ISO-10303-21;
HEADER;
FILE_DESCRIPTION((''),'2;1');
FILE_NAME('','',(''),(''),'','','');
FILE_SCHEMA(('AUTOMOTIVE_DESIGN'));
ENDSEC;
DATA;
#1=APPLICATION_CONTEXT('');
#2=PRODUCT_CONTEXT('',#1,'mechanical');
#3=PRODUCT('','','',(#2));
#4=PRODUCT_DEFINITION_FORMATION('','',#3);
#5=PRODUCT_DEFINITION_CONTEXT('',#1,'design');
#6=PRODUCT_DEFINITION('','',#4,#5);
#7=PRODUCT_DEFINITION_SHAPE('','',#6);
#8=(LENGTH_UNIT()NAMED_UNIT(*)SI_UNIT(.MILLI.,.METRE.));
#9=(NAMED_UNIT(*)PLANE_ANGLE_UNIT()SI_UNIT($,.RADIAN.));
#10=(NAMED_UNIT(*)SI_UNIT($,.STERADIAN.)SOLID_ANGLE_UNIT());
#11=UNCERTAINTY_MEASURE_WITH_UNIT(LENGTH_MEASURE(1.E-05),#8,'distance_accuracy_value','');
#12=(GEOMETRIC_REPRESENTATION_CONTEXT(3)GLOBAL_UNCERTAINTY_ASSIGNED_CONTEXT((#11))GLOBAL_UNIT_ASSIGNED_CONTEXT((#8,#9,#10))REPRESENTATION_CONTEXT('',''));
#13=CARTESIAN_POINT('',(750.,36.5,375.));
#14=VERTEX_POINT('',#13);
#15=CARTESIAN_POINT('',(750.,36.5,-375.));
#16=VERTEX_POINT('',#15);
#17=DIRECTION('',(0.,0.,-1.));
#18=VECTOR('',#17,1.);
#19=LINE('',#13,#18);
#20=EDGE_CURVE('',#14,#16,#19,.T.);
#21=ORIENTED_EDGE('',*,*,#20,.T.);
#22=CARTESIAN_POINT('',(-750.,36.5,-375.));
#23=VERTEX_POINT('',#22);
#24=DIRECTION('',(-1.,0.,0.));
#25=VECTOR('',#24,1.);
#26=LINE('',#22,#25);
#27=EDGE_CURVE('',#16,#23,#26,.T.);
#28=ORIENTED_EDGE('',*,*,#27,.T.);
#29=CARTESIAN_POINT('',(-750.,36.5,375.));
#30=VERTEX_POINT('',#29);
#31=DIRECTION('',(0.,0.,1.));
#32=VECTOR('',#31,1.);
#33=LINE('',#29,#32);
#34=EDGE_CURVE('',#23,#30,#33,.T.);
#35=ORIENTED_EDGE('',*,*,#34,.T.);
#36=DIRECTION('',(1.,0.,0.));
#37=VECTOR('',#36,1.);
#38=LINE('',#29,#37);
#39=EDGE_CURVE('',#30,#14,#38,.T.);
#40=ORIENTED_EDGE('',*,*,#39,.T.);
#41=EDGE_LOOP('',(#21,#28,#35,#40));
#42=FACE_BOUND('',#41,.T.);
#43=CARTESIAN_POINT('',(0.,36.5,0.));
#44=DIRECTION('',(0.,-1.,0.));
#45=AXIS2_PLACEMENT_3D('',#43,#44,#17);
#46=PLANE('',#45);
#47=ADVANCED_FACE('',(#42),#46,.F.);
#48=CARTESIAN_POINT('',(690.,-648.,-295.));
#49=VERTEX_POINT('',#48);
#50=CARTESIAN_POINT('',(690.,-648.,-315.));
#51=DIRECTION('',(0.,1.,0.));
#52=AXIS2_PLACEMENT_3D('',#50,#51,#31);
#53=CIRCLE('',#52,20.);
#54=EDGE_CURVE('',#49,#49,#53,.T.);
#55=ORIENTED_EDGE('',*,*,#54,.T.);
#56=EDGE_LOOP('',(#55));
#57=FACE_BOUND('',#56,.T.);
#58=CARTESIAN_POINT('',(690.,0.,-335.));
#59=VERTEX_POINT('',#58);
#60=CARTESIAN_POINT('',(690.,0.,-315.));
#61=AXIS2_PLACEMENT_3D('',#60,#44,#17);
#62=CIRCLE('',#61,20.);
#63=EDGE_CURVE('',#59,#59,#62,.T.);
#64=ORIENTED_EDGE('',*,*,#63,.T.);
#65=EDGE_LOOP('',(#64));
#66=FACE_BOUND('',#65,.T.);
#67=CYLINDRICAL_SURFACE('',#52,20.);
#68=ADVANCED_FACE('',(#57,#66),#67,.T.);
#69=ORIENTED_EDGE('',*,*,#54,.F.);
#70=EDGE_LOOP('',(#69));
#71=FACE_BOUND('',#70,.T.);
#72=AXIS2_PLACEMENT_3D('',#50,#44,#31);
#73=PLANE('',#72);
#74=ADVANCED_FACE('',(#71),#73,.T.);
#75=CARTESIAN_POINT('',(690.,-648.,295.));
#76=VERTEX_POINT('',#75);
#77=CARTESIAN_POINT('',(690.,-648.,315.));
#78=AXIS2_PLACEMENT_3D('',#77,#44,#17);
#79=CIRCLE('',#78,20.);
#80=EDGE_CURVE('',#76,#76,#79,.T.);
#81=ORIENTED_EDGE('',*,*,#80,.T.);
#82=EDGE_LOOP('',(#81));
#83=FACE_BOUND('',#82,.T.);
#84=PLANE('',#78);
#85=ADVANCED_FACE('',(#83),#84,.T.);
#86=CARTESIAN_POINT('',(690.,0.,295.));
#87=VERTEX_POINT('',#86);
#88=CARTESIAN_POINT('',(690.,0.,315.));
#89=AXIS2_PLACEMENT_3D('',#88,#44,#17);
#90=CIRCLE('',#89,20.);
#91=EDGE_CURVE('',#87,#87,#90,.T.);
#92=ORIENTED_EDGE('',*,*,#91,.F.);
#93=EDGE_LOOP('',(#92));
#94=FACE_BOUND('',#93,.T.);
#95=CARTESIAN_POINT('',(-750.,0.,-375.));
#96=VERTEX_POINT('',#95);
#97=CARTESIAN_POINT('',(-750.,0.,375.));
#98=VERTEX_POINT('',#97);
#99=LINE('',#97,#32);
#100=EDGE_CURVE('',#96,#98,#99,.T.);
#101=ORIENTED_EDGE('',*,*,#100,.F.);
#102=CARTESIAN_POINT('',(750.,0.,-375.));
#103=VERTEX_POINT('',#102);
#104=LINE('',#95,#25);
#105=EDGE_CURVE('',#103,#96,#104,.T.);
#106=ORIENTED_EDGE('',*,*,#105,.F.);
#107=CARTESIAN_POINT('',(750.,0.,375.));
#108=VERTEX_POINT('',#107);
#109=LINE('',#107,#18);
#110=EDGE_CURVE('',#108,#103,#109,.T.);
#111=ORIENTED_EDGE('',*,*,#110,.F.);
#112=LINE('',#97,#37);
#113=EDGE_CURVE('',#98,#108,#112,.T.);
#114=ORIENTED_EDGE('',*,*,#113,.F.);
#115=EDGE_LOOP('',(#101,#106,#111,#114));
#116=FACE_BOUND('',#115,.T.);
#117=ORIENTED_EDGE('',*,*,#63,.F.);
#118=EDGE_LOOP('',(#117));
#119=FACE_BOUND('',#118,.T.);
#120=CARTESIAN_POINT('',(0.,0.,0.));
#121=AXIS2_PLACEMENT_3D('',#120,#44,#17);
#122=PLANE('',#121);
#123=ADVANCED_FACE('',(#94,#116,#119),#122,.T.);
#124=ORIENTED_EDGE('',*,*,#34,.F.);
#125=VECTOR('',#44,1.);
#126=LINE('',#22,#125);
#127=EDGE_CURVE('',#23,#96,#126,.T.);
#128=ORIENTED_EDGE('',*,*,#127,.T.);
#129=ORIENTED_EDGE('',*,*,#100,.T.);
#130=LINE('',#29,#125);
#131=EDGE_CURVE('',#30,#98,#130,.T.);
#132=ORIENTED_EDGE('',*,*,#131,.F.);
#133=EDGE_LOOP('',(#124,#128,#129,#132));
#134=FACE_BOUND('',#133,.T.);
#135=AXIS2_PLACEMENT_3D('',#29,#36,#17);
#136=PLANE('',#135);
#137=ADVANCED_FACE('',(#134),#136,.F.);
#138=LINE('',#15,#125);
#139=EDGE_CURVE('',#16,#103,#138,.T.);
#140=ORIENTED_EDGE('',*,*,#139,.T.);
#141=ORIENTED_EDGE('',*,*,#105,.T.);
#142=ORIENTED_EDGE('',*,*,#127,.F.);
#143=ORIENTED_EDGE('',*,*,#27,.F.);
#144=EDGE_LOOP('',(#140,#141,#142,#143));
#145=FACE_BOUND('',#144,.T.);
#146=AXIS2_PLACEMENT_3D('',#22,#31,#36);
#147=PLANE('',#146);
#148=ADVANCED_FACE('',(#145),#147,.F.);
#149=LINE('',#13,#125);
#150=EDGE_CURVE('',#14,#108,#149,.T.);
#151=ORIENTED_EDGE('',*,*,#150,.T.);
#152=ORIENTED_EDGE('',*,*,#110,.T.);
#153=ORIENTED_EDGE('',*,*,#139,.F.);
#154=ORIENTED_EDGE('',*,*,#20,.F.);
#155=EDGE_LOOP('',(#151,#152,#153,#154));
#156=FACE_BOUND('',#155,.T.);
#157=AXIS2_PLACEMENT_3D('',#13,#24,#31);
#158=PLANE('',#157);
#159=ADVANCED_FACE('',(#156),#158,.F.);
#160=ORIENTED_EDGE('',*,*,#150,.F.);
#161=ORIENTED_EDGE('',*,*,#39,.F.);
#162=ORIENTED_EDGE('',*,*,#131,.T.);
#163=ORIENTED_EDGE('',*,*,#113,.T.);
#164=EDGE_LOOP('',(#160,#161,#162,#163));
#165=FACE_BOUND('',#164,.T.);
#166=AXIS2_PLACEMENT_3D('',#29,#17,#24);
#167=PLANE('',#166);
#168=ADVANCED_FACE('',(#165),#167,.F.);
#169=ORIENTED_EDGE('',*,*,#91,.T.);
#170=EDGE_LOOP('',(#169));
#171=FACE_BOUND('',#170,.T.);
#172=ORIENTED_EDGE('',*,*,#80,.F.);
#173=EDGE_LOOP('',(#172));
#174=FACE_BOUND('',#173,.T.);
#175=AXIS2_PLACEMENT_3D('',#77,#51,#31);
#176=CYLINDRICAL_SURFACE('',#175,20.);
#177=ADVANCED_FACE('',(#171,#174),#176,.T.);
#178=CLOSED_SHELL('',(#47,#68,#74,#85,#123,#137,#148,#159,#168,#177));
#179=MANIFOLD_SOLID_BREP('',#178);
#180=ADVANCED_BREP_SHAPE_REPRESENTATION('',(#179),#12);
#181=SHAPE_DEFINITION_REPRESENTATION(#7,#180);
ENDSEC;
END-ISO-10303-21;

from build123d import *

# Parameters (mm, degrees)
SKETCH1_W           = 1500
SKETCH1_H           = 750
BOSS_EXTRUDE1_DEPTH = 36.5
SKETCH2_R           = 20
BOSS_EXTRUDE2_DEPTH = 648


with BuildPart() as part:
    # Sketch1 → Boss-Extrude1 (new body)
    with BuildSketch(Plane(origin=(0, 0, 0), x_dir=(1, 0, 0), z_dir=(0, 1, 0))):
        Rectangle(SKETCH1_W, SKETCH1_H)
    extrude(amount=BOSS_EXTRUDE1_DEPTH)

    # Sketch2 → Boss-Extrude2 (add)
    with BuildSketch(Plane.XZ):
        with Locations(Location((690, 315, 0), (0, 0, 270))):
            Circle(SKETCH2_R)
    boss_extrude2 = extrude(amount=BOSS_EXTRUDE2_DEPTH)

    # Mirror1: Boss-Extrude2 across plane
    add(boss_extrude2.mirror(Plane.XY))


solid = part.part
